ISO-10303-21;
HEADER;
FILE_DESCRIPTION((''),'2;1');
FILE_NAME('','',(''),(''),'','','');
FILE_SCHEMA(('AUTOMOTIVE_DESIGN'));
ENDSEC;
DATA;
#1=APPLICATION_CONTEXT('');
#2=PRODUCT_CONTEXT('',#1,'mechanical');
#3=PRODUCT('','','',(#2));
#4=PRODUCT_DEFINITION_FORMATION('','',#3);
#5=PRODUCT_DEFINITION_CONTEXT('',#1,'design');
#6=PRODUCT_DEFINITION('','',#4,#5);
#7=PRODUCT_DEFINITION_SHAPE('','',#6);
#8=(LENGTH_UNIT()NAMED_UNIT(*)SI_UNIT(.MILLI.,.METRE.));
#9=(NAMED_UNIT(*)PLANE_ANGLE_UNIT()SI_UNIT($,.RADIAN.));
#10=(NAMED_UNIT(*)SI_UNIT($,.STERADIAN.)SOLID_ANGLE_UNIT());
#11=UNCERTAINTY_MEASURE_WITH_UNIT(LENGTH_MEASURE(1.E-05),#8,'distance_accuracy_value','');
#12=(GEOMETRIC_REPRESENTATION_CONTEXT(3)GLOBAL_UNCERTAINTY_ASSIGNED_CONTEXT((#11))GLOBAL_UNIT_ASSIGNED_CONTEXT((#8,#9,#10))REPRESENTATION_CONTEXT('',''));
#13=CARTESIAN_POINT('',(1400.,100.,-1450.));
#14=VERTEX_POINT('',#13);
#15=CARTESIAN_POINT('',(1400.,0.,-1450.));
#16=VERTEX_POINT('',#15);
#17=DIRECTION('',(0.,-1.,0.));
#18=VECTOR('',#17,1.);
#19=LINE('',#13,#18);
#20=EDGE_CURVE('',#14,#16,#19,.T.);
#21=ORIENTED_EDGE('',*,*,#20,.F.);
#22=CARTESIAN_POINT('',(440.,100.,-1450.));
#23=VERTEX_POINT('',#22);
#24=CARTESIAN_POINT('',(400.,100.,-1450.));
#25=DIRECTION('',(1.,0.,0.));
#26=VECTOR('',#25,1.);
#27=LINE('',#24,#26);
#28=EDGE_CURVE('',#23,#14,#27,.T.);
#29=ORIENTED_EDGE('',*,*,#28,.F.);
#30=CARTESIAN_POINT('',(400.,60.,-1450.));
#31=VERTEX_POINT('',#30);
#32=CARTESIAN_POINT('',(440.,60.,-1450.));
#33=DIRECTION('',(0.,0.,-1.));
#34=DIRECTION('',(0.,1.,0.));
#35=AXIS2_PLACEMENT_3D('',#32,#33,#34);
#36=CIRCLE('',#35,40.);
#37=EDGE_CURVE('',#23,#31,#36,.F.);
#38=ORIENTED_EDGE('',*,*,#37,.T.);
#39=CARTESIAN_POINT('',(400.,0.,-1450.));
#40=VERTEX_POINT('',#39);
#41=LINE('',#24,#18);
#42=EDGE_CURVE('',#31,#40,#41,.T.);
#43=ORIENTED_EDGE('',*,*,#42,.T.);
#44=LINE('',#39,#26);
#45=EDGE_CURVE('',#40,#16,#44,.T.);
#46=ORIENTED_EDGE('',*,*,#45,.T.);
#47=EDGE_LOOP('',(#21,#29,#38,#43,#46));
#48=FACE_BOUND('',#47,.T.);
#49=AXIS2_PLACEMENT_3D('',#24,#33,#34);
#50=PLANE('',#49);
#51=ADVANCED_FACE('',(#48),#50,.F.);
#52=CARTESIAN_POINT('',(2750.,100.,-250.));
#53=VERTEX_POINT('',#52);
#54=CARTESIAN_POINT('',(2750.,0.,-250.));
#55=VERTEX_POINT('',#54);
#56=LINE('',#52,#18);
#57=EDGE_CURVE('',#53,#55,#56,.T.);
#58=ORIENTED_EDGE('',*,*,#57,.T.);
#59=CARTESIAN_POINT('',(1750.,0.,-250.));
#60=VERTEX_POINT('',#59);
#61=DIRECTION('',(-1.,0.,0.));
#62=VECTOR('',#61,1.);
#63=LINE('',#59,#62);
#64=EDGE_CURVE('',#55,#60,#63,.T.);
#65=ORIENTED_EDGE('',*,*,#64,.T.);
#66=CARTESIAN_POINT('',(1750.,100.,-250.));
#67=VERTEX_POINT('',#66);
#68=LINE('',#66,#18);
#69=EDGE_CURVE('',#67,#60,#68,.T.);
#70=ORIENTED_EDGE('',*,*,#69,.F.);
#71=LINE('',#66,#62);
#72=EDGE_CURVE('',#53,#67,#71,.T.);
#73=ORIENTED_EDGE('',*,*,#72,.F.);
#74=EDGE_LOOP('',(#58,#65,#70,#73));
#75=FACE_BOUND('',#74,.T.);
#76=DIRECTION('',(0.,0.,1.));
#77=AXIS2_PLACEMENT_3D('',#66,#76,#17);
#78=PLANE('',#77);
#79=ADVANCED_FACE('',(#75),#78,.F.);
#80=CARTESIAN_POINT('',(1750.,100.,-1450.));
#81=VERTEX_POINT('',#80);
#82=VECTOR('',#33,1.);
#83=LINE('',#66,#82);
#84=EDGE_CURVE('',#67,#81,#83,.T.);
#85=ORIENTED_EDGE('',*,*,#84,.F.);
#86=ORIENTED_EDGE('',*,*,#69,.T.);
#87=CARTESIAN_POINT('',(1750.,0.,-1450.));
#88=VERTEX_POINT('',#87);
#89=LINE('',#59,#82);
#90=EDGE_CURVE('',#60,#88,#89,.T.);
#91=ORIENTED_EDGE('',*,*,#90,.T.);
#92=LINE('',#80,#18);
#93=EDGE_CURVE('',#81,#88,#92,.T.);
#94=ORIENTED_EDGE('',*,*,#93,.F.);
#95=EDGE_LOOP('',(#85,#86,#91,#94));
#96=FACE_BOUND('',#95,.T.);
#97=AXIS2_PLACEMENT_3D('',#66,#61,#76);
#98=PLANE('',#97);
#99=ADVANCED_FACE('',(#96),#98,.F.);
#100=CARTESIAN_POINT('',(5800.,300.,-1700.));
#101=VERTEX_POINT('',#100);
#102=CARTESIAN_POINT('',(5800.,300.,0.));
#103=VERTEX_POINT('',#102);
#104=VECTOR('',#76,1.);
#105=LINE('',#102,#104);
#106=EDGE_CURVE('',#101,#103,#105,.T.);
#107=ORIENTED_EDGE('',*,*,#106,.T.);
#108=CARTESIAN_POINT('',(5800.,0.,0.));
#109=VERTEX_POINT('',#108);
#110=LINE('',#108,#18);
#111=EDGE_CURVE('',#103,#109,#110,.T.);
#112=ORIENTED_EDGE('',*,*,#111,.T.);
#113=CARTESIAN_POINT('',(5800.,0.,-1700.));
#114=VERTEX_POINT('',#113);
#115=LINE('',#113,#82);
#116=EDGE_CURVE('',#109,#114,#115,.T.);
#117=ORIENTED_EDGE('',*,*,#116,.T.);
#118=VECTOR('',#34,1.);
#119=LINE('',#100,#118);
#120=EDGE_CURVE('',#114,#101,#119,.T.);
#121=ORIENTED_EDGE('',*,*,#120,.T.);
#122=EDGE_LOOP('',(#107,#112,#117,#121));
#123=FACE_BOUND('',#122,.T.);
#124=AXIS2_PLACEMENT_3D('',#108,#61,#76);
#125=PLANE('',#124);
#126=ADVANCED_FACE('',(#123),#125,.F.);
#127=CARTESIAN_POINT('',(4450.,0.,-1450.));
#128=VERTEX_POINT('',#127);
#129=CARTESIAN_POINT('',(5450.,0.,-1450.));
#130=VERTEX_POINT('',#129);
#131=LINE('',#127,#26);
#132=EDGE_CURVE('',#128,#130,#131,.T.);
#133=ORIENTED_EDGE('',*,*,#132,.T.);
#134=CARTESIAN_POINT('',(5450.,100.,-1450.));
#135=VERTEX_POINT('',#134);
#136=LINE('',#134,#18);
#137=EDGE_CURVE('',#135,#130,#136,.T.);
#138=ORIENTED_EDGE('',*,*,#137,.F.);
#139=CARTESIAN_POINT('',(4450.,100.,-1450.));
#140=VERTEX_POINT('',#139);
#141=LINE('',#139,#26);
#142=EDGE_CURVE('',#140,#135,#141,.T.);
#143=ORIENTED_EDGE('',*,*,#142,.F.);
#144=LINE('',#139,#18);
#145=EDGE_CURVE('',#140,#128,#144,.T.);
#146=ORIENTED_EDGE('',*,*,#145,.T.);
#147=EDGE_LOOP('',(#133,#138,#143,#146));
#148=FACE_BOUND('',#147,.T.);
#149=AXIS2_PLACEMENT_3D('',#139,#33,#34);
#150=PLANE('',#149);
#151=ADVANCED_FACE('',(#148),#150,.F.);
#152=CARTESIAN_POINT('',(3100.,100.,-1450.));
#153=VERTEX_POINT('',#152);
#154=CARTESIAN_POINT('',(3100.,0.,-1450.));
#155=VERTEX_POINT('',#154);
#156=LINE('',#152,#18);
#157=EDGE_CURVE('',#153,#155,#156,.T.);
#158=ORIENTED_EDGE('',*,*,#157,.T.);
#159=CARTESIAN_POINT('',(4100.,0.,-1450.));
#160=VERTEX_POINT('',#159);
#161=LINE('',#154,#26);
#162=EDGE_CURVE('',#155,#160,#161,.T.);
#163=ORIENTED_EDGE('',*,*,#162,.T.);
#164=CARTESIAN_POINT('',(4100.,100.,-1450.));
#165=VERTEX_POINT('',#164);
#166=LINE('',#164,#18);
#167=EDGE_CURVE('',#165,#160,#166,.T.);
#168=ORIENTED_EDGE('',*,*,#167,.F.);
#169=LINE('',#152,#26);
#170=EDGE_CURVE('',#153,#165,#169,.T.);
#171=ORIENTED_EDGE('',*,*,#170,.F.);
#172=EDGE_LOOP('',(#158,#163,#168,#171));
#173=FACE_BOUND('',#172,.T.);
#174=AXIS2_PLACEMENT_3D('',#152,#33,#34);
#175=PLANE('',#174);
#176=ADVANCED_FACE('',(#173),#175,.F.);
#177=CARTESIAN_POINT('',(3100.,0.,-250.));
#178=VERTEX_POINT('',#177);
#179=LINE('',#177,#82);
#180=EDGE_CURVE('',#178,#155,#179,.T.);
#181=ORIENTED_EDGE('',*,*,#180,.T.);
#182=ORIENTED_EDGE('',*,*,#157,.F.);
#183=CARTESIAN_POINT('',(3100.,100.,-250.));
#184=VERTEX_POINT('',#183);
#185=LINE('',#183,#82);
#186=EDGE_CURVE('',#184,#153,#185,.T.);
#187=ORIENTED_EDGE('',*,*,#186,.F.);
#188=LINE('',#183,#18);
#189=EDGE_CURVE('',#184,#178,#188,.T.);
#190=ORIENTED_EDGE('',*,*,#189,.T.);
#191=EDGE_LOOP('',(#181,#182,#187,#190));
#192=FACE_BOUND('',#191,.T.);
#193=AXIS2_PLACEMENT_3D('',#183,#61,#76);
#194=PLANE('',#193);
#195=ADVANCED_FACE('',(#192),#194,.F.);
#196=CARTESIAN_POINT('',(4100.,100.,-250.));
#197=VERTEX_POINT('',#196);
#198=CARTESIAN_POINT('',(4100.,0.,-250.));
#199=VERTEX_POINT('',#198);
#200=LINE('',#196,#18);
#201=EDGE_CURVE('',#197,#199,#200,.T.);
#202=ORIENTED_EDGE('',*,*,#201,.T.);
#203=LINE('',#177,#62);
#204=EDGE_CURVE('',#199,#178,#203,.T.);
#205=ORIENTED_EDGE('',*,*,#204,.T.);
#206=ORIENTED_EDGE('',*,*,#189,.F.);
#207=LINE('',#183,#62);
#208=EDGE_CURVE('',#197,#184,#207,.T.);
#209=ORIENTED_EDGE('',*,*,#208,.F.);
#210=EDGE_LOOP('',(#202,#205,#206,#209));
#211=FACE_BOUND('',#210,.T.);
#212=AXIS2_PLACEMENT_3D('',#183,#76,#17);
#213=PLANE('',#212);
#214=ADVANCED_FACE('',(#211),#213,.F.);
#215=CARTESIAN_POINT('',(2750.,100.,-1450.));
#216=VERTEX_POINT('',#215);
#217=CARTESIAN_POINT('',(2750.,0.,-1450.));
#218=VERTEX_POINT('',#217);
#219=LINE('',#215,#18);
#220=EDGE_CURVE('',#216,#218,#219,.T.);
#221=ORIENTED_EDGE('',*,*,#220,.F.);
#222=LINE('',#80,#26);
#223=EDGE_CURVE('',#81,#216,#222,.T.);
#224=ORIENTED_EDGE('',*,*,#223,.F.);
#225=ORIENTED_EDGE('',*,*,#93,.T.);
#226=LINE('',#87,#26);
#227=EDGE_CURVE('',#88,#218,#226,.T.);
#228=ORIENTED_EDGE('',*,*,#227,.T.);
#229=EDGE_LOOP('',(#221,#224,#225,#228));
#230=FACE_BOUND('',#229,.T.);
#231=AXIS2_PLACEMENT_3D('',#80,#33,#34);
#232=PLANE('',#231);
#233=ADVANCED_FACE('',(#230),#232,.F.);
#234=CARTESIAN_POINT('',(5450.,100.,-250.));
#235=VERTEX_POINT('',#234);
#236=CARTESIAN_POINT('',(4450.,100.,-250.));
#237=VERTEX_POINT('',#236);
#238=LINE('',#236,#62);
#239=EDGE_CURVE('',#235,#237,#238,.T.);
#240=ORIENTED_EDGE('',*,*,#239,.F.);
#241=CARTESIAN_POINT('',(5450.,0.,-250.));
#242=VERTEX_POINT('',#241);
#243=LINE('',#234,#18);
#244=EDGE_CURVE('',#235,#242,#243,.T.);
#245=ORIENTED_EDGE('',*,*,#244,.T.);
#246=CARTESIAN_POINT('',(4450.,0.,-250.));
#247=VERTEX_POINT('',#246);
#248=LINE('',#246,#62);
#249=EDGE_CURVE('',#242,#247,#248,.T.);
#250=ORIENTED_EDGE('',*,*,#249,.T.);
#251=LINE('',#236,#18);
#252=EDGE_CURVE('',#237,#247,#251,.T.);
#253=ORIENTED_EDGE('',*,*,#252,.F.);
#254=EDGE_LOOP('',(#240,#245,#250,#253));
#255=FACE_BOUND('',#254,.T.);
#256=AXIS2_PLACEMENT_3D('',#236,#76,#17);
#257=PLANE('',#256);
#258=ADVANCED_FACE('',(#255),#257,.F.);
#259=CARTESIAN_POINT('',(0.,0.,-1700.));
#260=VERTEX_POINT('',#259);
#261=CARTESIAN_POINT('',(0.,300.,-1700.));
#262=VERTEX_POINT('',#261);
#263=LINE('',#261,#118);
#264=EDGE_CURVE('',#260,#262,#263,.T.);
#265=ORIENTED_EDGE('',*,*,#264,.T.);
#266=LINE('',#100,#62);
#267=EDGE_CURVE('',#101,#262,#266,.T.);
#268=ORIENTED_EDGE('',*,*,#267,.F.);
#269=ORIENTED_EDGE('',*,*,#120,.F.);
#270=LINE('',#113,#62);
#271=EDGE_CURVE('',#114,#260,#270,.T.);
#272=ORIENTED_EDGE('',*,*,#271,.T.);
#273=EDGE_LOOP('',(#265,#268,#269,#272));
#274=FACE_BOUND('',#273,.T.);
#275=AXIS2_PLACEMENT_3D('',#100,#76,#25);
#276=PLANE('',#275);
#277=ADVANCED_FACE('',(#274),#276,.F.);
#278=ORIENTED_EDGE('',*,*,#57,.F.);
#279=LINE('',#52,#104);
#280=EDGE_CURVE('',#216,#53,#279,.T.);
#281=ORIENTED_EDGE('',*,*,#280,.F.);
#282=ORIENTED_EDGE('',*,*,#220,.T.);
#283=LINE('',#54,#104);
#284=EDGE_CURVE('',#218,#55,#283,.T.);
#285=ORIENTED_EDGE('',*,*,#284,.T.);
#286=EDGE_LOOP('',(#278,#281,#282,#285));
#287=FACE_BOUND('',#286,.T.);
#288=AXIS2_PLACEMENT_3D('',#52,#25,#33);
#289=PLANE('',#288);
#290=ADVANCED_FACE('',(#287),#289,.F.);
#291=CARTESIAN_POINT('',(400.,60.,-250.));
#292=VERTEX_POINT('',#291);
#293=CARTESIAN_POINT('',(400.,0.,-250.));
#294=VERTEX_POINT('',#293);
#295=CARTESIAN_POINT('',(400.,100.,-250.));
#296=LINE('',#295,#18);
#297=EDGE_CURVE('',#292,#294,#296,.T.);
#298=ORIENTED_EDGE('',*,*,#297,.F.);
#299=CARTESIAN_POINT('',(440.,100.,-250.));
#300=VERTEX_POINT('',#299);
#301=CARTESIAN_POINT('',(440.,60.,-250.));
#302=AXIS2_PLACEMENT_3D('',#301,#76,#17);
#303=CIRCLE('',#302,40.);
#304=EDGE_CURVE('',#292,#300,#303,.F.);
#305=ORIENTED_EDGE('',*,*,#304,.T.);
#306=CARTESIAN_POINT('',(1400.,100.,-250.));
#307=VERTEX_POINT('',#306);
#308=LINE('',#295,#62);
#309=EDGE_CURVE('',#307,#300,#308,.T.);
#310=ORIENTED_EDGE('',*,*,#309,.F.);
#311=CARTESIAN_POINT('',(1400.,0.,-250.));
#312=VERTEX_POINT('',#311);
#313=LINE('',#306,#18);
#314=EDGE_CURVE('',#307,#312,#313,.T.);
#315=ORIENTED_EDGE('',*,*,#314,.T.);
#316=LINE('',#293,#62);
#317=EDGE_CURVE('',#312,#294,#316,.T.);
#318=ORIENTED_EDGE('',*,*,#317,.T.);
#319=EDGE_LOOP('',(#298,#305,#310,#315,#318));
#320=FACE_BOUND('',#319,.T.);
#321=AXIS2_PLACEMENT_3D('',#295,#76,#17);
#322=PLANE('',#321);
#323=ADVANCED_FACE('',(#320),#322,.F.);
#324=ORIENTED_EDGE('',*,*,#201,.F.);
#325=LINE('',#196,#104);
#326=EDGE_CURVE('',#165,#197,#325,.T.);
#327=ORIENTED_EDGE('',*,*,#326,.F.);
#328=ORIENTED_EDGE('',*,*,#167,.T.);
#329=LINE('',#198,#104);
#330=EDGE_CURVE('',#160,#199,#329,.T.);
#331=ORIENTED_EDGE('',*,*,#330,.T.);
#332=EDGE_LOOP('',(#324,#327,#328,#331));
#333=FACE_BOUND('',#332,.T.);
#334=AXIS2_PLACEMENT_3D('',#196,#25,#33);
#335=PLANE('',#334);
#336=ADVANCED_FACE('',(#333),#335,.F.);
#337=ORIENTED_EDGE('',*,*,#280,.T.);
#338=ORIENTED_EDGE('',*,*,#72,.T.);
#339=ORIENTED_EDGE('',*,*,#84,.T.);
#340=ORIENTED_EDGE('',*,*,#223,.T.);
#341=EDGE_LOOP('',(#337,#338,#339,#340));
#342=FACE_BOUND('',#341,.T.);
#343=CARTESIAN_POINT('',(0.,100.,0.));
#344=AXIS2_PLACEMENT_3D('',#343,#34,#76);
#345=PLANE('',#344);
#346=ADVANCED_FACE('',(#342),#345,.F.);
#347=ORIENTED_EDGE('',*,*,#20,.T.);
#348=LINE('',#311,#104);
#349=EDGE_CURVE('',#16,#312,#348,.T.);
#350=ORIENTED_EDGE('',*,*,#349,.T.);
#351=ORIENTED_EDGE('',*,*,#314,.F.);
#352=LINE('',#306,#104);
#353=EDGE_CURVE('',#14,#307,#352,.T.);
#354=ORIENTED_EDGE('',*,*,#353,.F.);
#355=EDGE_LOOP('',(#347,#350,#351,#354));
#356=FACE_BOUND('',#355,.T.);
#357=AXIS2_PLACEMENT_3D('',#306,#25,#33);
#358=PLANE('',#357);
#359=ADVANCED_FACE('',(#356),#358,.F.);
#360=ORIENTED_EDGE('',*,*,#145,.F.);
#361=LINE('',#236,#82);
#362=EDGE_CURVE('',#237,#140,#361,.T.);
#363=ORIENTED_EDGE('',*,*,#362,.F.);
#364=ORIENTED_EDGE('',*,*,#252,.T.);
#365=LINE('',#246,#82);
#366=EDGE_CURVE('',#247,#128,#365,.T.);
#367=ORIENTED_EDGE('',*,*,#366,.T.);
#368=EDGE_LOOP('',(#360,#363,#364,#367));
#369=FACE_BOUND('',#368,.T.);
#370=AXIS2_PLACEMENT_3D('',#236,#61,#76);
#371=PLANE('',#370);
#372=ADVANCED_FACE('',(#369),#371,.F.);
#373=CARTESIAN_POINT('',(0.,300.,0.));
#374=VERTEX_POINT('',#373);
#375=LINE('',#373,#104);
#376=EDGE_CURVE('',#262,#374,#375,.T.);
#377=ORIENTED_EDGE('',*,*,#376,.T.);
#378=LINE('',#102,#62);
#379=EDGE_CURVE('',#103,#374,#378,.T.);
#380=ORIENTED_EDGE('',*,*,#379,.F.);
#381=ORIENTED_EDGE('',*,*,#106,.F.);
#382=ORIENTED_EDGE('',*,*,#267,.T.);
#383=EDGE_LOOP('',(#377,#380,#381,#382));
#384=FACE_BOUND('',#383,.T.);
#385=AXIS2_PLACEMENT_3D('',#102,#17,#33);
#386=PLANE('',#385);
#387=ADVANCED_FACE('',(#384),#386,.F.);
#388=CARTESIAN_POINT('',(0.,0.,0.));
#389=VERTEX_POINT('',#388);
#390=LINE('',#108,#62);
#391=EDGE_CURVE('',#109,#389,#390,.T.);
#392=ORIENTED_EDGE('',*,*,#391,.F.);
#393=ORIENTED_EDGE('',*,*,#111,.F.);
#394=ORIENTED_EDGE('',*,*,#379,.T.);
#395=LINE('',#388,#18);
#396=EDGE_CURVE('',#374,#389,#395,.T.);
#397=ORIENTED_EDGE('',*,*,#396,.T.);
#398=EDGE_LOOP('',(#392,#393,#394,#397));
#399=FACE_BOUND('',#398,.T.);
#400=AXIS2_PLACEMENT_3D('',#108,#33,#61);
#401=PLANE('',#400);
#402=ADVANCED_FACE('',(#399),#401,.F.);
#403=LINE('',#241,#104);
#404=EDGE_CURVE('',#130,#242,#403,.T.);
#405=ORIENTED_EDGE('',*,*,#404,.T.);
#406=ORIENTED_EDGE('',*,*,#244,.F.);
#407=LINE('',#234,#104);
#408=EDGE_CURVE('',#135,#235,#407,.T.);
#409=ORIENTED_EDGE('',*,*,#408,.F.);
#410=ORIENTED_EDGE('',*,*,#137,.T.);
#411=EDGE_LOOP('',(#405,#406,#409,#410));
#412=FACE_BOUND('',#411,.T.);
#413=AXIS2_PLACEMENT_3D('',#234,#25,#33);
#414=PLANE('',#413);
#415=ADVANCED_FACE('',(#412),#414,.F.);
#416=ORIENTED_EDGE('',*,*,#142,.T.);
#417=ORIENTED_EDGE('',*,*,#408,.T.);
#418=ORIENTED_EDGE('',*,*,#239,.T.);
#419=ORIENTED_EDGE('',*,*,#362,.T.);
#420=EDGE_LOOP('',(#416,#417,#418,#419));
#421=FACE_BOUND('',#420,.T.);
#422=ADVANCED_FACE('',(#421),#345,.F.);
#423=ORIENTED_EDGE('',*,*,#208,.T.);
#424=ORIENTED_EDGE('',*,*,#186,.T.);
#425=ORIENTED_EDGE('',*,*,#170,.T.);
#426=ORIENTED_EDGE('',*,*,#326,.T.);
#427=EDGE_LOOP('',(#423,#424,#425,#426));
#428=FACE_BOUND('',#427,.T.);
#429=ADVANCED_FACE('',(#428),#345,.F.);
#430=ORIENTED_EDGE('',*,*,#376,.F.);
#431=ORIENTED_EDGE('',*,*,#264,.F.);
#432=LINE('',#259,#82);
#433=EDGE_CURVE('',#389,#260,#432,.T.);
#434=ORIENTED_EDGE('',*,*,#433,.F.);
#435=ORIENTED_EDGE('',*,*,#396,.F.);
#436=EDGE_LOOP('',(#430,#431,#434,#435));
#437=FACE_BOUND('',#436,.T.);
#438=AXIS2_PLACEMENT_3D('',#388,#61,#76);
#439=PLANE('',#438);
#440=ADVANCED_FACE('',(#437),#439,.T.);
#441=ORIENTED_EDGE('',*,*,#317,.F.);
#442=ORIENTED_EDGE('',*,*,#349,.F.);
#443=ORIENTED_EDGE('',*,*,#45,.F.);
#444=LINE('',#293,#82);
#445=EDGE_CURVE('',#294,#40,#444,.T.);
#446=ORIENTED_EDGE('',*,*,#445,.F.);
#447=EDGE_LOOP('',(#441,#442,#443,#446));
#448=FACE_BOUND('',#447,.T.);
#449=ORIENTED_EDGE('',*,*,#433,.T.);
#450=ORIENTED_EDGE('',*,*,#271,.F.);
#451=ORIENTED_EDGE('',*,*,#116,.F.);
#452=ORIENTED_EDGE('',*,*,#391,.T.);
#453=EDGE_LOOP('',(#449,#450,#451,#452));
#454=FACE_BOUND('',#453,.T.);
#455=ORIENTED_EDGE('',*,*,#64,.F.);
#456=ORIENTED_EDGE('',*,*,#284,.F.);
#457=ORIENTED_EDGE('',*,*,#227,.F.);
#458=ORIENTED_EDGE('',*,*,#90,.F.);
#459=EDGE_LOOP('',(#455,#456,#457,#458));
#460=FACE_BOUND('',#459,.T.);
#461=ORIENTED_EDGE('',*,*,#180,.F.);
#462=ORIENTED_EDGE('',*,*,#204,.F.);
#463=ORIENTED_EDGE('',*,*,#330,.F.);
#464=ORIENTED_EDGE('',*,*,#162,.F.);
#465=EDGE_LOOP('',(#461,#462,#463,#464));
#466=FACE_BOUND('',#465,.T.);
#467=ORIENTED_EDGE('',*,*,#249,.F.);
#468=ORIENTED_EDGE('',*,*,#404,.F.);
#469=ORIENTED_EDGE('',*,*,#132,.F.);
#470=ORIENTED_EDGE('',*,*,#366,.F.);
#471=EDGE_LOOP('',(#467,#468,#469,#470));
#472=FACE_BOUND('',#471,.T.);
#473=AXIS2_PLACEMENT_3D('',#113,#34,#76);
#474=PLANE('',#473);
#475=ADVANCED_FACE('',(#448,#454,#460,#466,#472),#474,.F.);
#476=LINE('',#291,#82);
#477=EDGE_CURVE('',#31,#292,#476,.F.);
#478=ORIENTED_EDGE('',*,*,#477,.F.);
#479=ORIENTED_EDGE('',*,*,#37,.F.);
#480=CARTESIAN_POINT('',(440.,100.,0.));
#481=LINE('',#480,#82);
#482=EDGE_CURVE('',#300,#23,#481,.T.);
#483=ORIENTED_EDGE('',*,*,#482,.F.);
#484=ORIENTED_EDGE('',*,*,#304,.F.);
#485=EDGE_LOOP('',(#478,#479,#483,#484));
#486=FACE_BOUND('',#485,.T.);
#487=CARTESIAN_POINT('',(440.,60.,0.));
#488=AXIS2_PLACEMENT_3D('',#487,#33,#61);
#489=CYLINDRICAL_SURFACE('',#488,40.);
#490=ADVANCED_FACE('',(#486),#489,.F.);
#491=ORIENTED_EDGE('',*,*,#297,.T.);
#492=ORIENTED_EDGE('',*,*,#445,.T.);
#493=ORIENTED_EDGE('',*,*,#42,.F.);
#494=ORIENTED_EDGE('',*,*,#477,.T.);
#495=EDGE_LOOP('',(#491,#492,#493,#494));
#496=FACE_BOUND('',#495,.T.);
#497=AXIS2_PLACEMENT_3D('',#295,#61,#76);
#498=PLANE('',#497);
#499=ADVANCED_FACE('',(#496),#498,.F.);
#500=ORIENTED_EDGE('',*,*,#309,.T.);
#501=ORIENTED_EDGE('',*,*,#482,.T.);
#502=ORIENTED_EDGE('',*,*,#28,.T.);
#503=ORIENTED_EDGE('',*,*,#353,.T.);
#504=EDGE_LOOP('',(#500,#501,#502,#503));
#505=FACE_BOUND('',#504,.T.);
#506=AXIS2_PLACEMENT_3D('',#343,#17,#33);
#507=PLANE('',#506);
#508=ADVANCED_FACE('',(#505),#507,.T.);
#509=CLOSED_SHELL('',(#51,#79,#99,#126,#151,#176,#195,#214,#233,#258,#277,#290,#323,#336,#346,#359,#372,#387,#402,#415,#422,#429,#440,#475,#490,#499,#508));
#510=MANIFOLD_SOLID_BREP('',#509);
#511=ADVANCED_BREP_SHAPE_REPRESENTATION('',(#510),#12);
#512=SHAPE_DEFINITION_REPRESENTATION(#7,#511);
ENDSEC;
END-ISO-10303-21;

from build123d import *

# Parameters (mm, degrees)
SKETCH_1_W          = 1700
SKETCH_1_H          = 300
EXTRUDE_1_DEPTH     = 5800
SKETCH_2_W          = 1000
SKETCH_2_H          = 1200
CUT_EXTRUDE_1_DEPTH = 100
FILLET_1_R          = 40


with BuildPart() as part:
    # Эскиз1 → Бобышка-Вытянуть1 (new body)
    with BuildSketch(Plane(origin=(0, 0, 0), x_dir=(0, 0, -1), z_dir=(1, 0, 0))):
        with Locations((850, 150)):
            Rectangle(SKETCH_1_W, SKETCH_1_H)
    extrude(amount=EXTRUDE_1_DEPTH)

    # Эскиз2 → Вырез-Вытянуть1 (cut)
    with BuildSketch(Plane.XZ):
        with Locations((2250, -850)):
            Rectangle(SKETCH_2_W, SKETCH_2_H)
        with Locations((900, -850)):
            Rectangle(SKETCH_2_W, SKETCH_2_H)
        with Locations((3600, -850)):
            Rectangle(SKETCH_2_W, SKETCH_2_H)
        with Locations((4950, -850)):
            Rectangle(SKETCH_2_W, SKETCH_2_H)
    extrude(amount=-CUT_EXTRUDE_1_DEPTH, mode=Mode.SUBTRACT)

    # Скругление1
    fillet_1_edges = [part.edges().sort_by_distance(p)[0] for p in [
        (400, 100, -850),
    ]]
    fillet(fillet_1_edges, radius=FILLET_1_R)


solid = part.part
